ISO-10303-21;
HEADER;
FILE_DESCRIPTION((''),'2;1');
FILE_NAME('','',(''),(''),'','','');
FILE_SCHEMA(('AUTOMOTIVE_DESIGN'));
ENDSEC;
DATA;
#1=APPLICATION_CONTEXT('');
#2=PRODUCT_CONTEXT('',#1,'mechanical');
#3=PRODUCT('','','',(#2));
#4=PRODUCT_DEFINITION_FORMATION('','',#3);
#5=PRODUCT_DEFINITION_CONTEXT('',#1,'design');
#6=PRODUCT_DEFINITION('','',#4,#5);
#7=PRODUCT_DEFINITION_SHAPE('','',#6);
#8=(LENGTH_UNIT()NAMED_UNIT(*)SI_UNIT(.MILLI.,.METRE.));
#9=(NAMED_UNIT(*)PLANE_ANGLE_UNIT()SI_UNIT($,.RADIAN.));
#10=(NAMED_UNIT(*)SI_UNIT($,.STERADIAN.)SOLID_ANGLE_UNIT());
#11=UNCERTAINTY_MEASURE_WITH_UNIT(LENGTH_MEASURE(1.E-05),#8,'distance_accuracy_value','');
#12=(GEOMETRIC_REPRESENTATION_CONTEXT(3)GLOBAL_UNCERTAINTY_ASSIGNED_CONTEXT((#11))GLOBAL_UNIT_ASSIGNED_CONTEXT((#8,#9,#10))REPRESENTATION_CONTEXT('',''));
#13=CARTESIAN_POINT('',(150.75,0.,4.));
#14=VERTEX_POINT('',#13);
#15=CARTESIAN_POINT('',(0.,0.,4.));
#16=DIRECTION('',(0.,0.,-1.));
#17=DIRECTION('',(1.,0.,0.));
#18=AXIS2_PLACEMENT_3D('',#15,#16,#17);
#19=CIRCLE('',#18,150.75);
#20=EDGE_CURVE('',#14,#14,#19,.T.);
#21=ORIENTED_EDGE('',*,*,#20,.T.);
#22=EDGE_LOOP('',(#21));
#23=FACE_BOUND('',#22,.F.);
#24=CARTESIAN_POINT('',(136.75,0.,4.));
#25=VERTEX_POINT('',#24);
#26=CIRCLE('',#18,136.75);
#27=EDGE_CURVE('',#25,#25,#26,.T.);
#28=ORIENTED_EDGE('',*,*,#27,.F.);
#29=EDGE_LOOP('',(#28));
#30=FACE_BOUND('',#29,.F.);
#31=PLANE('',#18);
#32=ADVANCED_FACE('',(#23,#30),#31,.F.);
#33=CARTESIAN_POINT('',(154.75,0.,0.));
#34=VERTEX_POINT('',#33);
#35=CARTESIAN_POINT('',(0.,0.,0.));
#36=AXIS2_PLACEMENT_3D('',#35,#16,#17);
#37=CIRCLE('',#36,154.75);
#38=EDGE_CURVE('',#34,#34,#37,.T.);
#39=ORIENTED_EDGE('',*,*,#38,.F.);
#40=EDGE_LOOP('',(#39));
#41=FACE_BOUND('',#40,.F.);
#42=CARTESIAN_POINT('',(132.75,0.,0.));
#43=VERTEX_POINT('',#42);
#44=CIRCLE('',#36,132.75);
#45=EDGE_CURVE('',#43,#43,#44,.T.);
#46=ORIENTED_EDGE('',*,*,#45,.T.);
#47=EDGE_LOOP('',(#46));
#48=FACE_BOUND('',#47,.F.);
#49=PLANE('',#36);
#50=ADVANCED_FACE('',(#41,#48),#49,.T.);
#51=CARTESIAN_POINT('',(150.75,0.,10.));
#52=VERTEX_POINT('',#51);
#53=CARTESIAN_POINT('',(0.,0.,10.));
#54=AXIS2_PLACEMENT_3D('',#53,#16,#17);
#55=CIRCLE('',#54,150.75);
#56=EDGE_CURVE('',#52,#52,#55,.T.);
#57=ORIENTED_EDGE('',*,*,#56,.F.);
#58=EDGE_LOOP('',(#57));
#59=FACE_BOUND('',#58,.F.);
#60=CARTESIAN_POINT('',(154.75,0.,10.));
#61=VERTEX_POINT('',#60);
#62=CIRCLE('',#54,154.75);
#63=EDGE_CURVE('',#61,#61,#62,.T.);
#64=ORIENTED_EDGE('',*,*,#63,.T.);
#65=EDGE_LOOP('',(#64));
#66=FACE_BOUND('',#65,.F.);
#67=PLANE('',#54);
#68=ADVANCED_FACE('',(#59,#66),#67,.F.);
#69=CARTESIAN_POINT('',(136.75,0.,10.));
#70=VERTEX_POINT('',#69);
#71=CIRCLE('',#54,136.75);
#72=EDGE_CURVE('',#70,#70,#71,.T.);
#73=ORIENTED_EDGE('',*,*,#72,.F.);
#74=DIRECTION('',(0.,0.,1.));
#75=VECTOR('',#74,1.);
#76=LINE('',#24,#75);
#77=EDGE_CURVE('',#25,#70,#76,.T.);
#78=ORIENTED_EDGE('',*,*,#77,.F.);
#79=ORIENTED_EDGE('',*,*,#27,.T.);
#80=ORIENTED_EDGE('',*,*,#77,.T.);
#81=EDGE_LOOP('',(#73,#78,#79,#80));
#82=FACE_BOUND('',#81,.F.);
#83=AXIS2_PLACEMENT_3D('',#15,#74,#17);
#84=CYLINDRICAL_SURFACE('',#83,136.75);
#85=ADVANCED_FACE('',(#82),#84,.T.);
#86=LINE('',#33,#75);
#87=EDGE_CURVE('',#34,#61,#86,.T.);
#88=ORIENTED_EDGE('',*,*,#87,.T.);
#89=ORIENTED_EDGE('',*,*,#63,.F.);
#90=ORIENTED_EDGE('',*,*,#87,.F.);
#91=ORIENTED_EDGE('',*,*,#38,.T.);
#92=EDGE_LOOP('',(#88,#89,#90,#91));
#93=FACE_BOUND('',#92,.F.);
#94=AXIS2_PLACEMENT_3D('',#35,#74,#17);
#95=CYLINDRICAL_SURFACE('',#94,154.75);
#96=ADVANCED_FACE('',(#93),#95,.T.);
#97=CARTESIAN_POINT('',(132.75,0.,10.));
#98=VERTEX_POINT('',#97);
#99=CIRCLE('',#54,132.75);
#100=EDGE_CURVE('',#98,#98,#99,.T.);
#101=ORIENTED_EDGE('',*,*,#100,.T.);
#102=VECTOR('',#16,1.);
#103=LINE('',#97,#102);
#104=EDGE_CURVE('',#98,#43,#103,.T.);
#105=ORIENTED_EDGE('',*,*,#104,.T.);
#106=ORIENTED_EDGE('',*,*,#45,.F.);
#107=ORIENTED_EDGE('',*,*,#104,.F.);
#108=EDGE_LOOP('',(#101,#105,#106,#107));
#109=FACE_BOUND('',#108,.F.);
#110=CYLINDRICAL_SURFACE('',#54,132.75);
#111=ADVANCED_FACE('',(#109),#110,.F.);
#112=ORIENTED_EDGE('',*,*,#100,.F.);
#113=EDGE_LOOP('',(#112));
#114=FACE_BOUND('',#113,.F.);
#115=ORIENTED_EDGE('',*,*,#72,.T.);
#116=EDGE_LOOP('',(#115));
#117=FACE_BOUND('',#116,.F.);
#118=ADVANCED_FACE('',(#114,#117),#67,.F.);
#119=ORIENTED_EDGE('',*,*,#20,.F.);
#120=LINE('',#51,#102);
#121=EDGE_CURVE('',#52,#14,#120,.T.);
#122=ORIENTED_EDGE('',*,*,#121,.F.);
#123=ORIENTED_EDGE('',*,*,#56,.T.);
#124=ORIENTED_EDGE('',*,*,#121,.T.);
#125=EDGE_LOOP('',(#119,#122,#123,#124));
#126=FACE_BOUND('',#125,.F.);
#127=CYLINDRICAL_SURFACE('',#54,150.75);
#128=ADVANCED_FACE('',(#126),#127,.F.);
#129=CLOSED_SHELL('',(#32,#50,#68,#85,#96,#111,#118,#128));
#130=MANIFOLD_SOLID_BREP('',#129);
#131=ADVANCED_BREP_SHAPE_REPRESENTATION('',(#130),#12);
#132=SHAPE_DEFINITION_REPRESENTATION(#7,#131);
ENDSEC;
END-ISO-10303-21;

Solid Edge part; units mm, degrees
sketch "Sketch1" plane through (0, 0, 0) normal (0, -1, 0) x (1, 0, 0)
  line L0 (132.75, 0) -> (154.75, 0)
  line L1 (154.75, 0) -> (154.75, 10)
  line L2 (154.75, 10) -> (150.75, 10)
  line L3 (150.75, 10) -> (150.75, 4)
  line L4 (150.75, 4) -> (136.75, 4)
  line L5 (136.75, 4) -> (136.75, 10)
  line L6 (136.75, 10) -> (132.75, 10)
  line L7 (132.75, 10) -> (132.75, 0)
  dimension "D1" = 4
  dimension "D2" = 4
  dimension "D3" = 14
  dimension "D4" = 10
  dimension "D5" = 4
  dimension "D6" = 154.75
revolve "RevolvedProtrusion1" add sketch "Sketch1" angle 360 about axis through (0, 0, 54) along (0, 0, -1)
properties material "ABS Plastic, high impact"
